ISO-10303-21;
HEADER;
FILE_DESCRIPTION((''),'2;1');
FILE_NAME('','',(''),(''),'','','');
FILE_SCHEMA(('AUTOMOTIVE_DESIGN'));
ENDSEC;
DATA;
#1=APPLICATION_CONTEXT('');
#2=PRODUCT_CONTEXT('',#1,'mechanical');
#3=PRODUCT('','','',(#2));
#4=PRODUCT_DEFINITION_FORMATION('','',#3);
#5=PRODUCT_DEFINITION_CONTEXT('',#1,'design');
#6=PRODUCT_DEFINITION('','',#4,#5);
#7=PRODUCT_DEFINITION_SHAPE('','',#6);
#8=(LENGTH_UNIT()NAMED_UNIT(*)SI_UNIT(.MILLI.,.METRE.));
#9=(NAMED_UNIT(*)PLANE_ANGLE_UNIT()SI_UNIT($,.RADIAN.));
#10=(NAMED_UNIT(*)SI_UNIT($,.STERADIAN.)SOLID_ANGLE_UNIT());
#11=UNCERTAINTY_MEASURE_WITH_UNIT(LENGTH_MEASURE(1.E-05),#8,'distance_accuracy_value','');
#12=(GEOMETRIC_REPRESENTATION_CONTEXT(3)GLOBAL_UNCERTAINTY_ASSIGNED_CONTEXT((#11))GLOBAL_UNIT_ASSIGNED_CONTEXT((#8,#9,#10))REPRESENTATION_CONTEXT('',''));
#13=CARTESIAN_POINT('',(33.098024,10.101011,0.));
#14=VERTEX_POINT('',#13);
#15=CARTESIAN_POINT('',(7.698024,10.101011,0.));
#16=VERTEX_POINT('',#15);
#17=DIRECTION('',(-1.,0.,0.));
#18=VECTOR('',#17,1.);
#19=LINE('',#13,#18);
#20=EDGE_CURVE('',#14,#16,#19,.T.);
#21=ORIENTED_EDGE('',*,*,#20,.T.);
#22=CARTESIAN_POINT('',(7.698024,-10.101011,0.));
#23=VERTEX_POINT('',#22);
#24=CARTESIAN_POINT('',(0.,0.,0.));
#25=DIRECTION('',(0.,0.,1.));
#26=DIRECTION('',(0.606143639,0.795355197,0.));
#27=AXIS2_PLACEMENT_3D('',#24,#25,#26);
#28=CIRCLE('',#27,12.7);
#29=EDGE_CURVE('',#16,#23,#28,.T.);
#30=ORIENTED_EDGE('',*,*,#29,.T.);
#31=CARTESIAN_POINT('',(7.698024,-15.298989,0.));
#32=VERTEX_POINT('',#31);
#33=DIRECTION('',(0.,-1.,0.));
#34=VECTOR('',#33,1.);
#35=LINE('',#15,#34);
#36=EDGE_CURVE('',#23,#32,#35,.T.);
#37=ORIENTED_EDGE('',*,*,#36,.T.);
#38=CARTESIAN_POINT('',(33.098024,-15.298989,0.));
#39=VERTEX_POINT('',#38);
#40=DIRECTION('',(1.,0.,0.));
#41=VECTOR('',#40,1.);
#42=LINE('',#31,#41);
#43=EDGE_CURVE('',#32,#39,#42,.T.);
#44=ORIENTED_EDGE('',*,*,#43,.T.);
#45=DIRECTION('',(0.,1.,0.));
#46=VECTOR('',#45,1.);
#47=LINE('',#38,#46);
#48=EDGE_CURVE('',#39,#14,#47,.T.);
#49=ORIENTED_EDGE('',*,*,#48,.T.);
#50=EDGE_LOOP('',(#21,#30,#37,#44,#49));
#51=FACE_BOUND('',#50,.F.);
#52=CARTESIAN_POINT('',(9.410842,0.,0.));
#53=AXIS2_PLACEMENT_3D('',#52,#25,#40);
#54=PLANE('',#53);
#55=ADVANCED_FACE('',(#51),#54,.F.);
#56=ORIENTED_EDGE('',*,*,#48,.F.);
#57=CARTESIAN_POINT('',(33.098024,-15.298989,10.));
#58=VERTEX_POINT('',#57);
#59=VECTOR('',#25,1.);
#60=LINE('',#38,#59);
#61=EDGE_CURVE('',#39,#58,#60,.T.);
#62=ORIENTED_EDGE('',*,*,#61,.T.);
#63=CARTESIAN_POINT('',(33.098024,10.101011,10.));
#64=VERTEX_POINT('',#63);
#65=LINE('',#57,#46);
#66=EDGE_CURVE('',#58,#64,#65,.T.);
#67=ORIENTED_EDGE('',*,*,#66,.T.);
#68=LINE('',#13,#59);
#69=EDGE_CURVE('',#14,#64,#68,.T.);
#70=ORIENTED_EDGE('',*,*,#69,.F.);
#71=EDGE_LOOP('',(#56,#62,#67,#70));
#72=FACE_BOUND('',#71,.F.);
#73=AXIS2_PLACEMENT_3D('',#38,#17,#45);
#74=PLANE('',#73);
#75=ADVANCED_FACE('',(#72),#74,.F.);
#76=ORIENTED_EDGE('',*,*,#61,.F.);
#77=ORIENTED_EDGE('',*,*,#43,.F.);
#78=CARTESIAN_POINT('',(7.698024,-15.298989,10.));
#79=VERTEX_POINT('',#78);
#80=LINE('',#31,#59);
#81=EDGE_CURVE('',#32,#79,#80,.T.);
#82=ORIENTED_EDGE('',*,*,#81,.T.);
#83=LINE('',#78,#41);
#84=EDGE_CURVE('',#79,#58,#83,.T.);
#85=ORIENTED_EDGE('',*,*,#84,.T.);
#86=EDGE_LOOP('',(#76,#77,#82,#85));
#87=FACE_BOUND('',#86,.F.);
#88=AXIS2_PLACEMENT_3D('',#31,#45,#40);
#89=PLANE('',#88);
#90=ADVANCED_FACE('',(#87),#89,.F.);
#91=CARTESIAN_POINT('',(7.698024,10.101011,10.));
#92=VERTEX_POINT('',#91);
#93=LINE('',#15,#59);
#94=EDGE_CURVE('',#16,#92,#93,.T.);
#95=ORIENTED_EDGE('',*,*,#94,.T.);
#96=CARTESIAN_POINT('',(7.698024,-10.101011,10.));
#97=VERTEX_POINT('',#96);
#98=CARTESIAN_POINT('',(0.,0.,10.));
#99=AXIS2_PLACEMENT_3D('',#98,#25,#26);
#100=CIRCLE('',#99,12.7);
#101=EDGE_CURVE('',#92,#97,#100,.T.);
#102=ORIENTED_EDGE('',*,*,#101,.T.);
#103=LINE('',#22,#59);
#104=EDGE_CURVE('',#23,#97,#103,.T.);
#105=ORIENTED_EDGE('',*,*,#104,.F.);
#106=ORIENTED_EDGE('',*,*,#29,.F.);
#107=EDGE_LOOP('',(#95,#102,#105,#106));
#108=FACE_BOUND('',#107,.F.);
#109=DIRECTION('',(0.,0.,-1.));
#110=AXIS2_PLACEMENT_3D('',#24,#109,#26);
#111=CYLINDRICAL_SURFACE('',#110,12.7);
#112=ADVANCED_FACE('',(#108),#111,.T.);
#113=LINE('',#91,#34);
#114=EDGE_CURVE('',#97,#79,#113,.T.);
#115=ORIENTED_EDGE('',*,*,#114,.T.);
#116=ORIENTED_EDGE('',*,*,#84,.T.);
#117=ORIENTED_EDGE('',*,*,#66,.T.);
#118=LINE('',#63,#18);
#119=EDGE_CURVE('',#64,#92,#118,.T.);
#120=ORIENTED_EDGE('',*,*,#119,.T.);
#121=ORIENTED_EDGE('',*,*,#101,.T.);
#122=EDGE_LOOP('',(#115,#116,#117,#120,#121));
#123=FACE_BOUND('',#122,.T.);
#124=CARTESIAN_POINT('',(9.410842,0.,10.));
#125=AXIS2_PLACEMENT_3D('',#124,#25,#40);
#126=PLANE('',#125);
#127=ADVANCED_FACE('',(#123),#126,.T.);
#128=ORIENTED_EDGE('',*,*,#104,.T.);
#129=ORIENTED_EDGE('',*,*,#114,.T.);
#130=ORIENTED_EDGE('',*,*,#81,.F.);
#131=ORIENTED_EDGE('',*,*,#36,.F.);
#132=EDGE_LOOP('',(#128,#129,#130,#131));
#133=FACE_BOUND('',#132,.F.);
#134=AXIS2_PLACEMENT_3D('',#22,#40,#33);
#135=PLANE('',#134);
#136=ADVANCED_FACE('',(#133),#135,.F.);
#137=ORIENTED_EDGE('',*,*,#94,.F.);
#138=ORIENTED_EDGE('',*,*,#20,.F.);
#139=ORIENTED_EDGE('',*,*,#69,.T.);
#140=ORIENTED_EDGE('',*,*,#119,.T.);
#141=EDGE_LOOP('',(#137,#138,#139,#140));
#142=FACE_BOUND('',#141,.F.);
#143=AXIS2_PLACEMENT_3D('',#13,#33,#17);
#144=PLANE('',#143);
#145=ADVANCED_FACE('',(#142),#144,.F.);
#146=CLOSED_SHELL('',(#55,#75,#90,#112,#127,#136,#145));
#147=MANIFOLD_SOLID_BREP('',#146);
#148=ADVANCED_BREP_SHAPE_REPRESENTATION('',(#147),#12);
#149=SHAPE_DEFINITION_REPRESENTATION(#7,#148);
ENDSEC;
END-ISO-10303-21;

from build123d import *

# Parameters (mm, degrees)
F1_DEPTH = 10


with BuildPart() as f1:
    # F0 (on Top) → F1 (new body)
    with BuildSketch(Plane.XY):
        with BuildLine():
            ThreePointArc((7.6980242142, -10.1010109988), (11.3810128618, -5.6358270236), (12.7, 0))
            ThreePointArc((12.7, 0), (11.3810128618, 5.6358270236), (7.6980242142, 10.1010109988))
            Line((7.6980242142, 10.1010109988), (7.6980242142, -10.1010109988))
        make_face()
        with BuildLine():
            ThreePointArc((7.6980242142, 10.1010109988), (11.3810128618, 5.6358270236), (12.7, 0))
            ThreePointArc((12.7, 0), (11.3810128618, -5.6358270236), (7.6980242142, -10.1010109988))
            Line((7.6980242142, -10.1010109988), (7.6980242142, -15.2989890012))
            Line((7.6980242142, -15.2989890012), (33.0980242142, -15.2989890012))
            Line((33.0980242142, -15.2989890012), (33.0980242142, 10.1010109988))
            Line((33.0980242142, 10.1010109988), (7.6980242142, 10.1010109988))
        make_face()
        with BuildLine():
            Line((7.6980242142, -10.1010109988), (7.6980242142, 10.1010109988))
            ThreePointArc((7.6980242142, 10.1010109988), (-12.7, 0), (7.6980242142, -10.1010109988))
        make_face()
    extrude(amount=F1_DEPTH)


solid = f1.part
